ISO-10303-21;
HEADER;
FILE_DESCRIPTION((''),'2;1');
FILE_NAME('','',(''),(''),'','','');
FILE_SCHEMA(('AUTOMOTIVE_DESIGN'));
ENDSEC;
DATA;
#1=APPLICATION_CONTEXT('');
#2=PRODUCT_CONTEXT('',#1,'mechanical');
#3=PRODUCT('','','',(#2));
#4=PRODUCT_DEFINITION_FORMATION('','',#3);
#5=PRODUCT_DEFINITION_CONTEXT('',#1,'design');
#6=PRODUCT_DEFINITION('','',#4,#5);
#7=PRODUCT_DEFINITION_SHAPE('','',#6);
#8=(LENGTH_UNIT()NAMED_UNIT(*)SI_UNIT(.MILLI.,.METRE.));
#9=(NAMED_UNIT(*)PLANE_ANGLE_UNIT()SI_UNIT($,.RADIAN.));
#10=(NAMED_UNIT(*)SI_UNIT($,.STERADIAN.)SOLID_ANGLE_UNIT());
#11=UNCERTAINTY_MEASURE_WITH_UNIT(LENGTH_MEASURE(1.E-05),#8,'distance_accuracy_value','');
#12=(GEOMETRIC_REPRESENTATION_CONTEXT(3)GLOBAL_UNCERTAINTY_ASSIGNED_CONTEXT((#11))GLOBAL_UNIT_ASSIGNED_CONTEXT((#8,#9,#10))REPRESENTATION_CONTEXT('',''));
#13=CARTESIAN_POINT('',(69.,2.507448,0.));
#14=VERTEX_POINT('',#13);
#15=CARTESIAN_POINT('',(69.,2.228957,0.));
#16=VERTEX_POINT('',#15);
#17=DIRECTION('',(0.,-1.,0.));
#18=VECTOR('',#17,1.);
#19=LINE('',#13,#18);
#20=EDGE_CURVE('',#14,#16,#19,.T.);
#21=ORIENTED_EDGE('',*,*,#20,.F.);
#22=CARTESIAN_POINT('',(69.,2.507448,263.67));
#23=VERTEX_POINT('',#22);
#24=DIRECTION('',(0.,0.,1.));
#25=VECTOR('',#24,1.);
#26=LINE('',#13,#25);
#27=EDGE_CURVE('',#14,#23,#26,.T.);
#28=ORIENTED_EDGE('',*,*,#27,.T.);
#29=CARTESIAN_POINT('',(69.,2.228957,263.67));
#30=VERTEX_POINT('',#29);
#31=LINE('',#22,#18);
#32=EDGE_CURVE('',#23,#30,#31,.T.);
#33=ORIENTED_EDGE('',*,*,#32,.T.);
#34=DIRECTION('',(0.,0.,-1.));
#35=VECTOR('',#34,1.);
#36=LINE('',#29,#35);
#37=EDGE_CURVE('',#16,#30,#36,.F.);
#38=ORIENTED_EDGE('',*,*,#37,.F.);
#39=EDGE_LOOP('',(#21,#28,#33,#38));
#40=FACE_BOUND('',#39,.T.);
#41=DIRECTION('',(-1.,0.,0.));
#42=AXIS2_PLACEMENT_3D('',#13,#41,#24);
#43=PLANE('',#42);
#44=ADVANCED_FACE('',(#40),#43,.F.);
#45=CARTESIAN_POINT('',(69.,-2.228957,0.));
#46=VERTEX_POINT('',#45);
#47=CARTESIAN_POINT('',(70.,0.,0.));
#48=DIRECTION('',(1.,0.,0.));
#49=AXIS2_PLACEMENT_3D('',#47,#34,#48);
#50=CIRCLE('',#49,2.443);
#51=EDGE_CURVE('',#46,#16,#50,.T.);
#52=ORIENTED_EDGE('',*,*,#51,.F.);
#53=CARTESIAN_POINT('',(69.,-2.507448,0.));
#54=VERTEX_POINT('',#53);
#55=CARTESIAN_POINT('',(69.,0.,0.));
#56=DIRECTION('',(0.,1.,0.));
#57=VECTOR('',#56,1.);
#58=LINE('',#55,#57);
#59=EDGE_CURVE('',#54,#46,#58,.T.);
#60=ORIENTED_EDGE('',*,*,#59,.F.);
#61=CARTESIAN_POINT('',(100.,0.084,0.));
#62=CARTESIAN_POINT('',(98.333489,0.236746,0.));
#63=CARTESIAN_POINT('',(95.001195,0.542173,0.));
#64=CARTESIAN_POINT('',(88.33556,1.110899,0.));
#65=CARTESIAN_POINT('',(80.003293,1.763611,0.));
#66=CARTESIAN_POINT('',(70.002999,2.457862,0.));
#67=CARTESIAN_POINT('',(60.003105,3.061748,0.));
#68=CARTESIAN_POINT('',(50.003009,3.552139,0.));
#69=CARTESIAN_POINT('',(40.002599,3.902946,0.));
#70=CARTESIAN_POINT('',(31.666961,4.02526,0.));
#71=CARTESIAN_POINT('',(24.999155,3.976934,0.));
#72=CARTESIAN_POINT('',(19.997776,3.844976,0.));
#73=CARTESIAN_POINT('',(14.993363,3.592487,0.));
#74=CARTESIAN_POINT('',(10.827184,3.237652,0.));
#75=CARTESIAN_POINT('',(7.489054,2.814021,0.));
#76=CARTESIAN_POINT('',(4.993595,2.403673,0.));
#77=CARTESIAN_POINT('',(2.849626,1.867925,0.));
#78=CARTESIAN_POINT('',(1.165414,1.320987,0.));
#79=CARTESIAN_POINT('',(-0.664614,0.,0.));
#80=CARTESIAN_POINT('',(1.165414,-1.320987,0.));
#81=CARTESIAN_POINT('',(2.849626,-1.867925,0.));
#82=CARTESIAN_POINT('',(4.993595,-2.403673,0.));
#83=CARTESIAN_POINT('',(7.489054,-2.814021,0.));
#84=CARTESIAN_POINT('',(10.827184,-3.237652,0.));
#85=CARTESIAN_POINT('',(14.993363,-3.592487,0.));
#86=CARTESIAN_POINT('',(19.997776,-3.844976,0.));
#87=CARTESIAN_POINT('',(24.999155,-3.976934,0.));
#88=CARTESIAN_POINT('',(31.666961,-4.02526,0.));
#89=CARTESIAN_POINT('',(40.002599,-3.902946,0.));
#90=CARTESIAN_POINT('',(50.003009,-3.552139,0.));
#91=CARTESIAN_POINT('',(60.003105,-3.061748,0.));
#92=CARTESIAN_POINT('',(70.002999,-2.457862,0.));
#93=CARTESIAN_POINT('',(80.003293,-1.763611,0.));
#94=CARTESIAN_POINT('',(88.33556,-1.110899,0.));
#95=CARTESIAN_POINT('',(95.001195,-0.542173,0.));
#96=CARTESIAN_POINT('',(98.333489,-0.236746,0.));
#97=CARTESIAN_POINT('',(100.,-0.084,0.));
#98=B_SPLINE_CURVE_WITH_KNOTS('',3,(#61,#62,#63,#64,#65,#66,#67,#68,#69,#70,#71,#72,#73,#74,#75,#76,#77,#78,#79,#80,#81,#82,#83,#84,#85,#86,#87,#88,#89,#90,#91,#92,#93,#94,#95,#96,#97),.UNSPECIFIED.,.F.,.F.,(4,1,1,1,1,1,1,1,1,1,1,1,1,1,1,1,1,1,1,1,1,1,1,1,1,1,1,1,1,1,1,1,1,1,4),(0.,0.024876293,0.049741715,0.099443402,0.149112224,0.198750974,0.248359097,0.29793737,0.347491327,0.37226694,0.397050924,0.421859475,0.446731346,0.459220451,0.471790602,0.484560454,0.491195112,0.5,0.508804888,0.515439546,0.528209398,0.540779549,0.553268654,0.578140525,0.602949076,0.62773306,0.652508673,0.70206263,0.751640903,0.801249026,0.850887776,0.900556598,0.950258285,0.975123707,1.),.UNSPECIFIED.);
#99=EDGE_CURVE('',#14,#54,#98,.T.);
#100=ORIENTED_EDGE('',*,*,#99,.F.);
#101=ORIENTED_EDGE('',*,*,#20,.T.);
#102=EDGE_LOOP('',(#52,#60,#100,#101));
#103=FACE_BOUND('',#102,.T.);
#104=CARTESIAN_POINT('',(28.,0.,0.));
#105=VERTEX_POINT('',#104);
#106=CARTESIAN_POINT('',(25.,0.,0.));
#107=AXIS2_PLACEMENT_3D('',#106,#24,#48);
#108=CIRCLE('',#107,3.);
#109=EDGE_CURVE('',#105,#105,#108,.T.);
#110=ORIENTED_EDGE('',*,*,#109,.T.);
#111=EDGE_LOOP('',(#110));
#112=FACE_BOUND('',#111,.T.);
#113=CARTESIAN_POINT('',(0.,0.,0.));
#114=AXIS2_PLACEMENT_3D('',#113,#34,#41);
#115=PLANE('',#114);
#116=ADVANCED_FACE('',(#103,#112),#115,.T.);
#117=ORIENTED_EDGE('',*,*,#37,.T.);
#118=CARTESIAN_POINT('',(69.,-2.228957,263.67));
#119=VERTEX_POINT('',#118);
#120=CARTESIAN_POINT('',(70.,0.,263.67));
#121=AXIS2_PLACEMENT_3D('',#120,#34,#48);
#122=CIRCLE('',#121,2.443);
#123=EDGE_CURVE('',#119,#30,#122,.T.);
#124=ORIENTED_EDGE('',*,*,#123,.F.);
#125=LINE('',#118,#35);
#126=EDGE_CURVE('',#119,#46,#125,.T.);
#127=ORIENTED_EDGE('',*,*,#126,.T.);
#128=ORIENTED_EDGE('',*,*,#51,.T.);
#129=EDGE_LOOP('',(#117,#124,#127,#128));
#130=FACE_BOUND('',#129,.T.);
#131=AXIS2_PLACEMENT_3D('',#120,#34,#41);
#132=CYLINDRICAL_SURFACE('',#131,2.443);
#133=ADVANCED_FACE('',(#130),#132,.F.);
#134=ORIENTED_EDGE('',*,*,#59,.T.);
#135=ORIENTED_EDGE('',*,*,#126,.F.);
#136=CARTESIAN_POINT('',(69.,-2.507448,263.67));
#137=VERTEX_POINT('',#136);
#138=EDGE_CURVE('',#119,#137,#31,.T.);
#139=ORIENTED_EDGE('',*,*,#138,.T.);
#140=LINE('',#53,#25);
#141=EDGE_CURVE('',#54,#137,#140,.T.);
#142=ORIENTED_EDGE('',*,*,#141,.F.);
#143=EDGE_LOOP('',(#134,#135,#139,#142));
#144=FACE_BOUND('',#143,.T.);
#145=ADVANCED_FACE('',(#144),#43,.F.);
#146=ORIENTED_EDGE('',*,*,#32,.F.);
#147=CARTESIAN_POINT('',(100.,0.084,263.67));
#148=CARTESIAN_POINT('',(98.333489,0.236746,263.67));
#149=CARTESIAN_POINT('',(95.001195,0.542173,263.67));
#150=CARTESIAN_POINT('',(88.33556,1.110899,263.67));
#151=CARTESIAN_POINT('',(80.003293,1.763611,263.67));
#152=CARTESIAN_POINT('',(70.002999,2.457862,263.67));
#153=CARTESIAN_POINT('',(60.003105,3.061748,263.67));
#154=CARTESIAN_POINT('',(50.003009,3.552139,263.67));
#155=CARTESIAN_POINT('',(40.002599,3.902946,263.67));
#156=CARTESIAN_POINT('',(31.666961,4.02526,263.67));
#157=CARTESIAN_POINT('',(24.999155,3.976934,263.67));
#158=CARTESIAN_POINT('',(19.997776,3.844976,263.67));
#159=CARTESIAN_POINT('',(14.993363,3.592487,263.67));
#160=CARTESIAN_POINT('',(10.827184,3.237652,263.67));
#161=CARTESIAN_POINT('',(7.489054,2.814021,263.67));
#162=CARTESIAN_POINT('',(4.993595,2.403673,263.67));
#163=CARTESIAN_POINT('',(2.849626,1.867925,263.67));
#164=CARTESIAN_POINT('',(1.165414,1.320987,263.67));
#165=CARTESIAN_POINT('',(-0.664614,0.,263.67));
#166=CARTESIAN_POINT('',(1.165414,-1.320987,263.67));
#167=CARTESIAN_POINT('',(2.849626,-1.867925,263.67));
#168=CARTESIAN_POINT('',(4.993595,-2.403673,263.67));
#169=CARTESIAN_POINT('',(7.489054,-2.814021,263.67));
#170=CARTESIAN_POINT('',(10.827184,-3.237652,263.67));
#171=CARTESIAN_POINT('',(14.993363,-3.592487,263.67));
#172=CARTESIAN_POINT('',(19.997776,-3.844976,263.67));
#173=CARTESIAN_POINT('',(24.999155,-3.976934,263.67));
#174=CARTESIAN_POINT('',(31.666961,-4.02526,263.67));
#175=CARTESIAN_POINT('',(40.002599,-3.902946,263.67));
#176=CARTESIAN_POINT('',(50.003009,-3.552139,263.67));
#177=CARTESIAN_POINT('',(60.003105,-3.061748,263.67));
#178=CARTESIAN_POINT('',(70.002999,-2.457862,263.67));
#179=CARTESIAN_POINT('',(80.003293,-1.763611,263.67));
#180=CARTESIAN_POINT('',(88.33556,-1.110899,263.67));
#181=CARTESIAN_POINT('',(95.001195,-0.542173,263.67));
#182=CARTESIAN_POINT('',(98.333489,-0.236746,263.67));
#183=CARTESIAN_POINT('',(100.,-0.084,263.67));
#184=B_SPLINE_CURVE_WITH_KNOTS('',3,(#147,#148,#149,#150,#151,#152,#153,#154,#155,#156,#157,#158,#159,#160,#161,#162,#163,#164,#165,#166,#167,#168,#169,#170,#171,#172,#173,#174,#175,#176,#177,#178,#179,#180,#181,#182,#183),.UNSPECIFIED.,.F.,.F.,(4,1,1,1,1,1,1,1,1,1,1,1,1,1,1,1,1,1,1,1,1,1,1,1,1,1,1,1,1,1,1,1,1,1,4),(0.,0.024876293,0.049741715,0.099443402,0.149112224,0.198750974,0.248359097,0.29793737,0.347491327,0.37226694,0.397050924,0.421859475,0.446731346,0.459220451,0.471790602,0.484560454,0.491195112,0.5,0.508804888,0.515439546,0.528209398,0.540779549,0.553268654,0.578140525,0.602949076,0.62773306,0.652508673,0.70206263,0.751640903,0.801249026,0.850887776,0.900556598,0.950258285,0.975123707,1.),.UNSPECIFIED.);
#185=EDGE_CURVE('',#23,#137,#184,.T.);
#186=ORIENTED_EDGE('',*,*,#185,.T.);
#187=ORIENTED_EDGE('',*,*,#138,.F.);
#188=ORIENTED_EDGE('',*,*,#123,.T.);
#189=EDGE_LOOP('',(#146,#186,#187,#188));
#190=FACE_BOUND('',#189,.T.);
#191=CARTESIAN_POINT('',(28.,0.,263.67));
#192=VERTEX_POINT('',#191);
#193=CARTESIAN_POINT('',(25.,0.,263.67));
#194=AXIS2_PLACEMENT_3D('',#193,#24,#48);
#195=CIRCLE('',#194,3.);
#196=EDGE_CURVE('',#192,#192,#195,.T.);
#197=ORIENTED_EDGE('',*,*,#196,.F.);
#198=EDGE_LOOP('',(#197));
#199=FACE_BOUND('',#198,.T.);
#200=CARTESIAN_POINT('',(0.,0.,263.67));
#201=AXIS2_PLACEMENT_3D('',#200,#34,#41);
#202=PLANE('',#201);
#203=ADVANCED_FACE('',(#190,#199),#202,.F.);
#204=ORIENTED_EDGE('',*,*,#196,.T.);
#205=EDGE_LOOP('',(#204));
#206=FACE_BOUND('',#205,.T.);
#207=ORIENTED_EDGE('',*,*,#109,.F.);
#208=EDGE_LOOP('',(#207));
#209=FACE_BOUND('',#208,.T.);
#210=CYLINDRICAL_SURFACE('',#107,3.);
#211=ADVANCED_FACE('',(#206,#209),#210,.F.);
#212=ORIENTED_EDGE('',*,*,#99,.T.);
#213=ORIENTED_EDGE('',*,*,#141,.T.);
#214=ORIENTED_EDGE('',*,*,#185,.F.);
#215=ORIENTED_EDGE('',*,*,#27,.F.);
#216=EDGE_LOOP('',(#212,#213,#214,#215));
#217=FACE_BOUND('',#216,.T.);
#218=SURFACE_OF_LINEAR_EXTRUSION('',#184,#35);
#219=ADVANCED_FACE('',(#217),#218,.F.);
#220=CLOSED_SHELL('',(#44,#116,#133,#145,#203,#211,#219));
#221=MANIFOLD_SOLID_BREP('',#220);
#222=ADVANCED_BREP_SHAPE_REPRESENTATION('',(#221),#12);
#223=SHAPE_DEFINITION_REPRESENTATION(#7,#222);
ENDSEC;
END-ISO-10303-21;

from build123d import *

# Parameters (mm, degrees)
CORPOFOAM_DEPTH        = 263.67
SCHIZZO2_W             = 3
SCHIZZO2_H             = 5.01489576
SMUSSOPOSTERIORE_DEPTH = 273.833056966
SCHIZZO3_R             = 3
FOROLONGHERONE_DEPTH   = 273.578203408


with BuildPart() as part:
    # Schizzo1 → CorpoFoam (new body)
    with BuildSketch(Plane.XY):
        with BuildLine():
            ThreePointArc((70, 2.443), (67.557, 0), (70, -2.443))
            add(Edge.make_bspline(
                [(70, 2.443), (66.667669045, 2.659279734), (60.003104625, 3.061747723), (50.003008601, 3.552139212), (40.002598558, 3.902946494), (31.666961486, 4.025260151), (24.9991546, 3.976933791), (19.997775587, 3.844976398), (14.993363131, 3.592486959), (10.827184065, 3.237651579), (7.489054388, 2.814021367), (4.99359465, 2.403673059), (2.84962634, 1.867925494), (1.165413503, 1.320987252), (-0.664613784, 0), (1.165413503, -1.320987252), (2.84962634, -1.867925494), (4.99359465, -2.403673059), (7.489054388, -2.814021367), (10.827184065, -3.237651579), (14.993363131, -3.592486959), (19.997775587, -3.844976398), (24.9991546, -3.976933791), (31.666961486, -4.025260151), (40.002598558, -3.902946494), (50.003008601, -3.552139212), (60.003104625, -3.061747723), (66.667669045, -2.659279734), (70, -2.443)],
                knots=[0.149112224, 0.149112224, 0.149112224, 0.149112224, 0.198750974, 0.248359097, 0.29793737, 0.347491327, 0.37226694, 0.397050924, 0.421859475, 0.446731346, 0.459220451, 0.471790602, 0.484560454, 0.491195112, 0.5, 0.508804888, 0.515439546, 0.528209398, 0.540779549, 0.553268654, 0.578140525, 0.602949076, 0.62773306, 0.652508673, 0.70206263, 0.751640903, 0.801249026, 0.850887776, 0.850887776, 0.850887776, 0.850887776], degree=3))
        make_face()
    extrude(amount=CORPOFOAM_DEPTH)

    # Schizzo2 → SmussoPosteriore (cut, through all)
    with BuildSketch(Plane.XY.offset(263.67)):
        with Locations((70.5, 0)):
            Rectangle(SCHIZZO2_W, SCHIZZO2_H)
    extrude(amount=-SMUSSOPOSTERIORE_DEPTH, mode=Mode.SUBTRACT)

    # Schizzo3 → ForoLongherone (cut, through all)
    with BuildSketch(Plane.XY.offset(263.67)):
        with Locations((25, 0)):
            Circle(SCHIZZO3_R)
    extrude(amount=-FOROLONGHERONE_DEPTH, mode=Mode.SUBTRACT)


solid = part.part
